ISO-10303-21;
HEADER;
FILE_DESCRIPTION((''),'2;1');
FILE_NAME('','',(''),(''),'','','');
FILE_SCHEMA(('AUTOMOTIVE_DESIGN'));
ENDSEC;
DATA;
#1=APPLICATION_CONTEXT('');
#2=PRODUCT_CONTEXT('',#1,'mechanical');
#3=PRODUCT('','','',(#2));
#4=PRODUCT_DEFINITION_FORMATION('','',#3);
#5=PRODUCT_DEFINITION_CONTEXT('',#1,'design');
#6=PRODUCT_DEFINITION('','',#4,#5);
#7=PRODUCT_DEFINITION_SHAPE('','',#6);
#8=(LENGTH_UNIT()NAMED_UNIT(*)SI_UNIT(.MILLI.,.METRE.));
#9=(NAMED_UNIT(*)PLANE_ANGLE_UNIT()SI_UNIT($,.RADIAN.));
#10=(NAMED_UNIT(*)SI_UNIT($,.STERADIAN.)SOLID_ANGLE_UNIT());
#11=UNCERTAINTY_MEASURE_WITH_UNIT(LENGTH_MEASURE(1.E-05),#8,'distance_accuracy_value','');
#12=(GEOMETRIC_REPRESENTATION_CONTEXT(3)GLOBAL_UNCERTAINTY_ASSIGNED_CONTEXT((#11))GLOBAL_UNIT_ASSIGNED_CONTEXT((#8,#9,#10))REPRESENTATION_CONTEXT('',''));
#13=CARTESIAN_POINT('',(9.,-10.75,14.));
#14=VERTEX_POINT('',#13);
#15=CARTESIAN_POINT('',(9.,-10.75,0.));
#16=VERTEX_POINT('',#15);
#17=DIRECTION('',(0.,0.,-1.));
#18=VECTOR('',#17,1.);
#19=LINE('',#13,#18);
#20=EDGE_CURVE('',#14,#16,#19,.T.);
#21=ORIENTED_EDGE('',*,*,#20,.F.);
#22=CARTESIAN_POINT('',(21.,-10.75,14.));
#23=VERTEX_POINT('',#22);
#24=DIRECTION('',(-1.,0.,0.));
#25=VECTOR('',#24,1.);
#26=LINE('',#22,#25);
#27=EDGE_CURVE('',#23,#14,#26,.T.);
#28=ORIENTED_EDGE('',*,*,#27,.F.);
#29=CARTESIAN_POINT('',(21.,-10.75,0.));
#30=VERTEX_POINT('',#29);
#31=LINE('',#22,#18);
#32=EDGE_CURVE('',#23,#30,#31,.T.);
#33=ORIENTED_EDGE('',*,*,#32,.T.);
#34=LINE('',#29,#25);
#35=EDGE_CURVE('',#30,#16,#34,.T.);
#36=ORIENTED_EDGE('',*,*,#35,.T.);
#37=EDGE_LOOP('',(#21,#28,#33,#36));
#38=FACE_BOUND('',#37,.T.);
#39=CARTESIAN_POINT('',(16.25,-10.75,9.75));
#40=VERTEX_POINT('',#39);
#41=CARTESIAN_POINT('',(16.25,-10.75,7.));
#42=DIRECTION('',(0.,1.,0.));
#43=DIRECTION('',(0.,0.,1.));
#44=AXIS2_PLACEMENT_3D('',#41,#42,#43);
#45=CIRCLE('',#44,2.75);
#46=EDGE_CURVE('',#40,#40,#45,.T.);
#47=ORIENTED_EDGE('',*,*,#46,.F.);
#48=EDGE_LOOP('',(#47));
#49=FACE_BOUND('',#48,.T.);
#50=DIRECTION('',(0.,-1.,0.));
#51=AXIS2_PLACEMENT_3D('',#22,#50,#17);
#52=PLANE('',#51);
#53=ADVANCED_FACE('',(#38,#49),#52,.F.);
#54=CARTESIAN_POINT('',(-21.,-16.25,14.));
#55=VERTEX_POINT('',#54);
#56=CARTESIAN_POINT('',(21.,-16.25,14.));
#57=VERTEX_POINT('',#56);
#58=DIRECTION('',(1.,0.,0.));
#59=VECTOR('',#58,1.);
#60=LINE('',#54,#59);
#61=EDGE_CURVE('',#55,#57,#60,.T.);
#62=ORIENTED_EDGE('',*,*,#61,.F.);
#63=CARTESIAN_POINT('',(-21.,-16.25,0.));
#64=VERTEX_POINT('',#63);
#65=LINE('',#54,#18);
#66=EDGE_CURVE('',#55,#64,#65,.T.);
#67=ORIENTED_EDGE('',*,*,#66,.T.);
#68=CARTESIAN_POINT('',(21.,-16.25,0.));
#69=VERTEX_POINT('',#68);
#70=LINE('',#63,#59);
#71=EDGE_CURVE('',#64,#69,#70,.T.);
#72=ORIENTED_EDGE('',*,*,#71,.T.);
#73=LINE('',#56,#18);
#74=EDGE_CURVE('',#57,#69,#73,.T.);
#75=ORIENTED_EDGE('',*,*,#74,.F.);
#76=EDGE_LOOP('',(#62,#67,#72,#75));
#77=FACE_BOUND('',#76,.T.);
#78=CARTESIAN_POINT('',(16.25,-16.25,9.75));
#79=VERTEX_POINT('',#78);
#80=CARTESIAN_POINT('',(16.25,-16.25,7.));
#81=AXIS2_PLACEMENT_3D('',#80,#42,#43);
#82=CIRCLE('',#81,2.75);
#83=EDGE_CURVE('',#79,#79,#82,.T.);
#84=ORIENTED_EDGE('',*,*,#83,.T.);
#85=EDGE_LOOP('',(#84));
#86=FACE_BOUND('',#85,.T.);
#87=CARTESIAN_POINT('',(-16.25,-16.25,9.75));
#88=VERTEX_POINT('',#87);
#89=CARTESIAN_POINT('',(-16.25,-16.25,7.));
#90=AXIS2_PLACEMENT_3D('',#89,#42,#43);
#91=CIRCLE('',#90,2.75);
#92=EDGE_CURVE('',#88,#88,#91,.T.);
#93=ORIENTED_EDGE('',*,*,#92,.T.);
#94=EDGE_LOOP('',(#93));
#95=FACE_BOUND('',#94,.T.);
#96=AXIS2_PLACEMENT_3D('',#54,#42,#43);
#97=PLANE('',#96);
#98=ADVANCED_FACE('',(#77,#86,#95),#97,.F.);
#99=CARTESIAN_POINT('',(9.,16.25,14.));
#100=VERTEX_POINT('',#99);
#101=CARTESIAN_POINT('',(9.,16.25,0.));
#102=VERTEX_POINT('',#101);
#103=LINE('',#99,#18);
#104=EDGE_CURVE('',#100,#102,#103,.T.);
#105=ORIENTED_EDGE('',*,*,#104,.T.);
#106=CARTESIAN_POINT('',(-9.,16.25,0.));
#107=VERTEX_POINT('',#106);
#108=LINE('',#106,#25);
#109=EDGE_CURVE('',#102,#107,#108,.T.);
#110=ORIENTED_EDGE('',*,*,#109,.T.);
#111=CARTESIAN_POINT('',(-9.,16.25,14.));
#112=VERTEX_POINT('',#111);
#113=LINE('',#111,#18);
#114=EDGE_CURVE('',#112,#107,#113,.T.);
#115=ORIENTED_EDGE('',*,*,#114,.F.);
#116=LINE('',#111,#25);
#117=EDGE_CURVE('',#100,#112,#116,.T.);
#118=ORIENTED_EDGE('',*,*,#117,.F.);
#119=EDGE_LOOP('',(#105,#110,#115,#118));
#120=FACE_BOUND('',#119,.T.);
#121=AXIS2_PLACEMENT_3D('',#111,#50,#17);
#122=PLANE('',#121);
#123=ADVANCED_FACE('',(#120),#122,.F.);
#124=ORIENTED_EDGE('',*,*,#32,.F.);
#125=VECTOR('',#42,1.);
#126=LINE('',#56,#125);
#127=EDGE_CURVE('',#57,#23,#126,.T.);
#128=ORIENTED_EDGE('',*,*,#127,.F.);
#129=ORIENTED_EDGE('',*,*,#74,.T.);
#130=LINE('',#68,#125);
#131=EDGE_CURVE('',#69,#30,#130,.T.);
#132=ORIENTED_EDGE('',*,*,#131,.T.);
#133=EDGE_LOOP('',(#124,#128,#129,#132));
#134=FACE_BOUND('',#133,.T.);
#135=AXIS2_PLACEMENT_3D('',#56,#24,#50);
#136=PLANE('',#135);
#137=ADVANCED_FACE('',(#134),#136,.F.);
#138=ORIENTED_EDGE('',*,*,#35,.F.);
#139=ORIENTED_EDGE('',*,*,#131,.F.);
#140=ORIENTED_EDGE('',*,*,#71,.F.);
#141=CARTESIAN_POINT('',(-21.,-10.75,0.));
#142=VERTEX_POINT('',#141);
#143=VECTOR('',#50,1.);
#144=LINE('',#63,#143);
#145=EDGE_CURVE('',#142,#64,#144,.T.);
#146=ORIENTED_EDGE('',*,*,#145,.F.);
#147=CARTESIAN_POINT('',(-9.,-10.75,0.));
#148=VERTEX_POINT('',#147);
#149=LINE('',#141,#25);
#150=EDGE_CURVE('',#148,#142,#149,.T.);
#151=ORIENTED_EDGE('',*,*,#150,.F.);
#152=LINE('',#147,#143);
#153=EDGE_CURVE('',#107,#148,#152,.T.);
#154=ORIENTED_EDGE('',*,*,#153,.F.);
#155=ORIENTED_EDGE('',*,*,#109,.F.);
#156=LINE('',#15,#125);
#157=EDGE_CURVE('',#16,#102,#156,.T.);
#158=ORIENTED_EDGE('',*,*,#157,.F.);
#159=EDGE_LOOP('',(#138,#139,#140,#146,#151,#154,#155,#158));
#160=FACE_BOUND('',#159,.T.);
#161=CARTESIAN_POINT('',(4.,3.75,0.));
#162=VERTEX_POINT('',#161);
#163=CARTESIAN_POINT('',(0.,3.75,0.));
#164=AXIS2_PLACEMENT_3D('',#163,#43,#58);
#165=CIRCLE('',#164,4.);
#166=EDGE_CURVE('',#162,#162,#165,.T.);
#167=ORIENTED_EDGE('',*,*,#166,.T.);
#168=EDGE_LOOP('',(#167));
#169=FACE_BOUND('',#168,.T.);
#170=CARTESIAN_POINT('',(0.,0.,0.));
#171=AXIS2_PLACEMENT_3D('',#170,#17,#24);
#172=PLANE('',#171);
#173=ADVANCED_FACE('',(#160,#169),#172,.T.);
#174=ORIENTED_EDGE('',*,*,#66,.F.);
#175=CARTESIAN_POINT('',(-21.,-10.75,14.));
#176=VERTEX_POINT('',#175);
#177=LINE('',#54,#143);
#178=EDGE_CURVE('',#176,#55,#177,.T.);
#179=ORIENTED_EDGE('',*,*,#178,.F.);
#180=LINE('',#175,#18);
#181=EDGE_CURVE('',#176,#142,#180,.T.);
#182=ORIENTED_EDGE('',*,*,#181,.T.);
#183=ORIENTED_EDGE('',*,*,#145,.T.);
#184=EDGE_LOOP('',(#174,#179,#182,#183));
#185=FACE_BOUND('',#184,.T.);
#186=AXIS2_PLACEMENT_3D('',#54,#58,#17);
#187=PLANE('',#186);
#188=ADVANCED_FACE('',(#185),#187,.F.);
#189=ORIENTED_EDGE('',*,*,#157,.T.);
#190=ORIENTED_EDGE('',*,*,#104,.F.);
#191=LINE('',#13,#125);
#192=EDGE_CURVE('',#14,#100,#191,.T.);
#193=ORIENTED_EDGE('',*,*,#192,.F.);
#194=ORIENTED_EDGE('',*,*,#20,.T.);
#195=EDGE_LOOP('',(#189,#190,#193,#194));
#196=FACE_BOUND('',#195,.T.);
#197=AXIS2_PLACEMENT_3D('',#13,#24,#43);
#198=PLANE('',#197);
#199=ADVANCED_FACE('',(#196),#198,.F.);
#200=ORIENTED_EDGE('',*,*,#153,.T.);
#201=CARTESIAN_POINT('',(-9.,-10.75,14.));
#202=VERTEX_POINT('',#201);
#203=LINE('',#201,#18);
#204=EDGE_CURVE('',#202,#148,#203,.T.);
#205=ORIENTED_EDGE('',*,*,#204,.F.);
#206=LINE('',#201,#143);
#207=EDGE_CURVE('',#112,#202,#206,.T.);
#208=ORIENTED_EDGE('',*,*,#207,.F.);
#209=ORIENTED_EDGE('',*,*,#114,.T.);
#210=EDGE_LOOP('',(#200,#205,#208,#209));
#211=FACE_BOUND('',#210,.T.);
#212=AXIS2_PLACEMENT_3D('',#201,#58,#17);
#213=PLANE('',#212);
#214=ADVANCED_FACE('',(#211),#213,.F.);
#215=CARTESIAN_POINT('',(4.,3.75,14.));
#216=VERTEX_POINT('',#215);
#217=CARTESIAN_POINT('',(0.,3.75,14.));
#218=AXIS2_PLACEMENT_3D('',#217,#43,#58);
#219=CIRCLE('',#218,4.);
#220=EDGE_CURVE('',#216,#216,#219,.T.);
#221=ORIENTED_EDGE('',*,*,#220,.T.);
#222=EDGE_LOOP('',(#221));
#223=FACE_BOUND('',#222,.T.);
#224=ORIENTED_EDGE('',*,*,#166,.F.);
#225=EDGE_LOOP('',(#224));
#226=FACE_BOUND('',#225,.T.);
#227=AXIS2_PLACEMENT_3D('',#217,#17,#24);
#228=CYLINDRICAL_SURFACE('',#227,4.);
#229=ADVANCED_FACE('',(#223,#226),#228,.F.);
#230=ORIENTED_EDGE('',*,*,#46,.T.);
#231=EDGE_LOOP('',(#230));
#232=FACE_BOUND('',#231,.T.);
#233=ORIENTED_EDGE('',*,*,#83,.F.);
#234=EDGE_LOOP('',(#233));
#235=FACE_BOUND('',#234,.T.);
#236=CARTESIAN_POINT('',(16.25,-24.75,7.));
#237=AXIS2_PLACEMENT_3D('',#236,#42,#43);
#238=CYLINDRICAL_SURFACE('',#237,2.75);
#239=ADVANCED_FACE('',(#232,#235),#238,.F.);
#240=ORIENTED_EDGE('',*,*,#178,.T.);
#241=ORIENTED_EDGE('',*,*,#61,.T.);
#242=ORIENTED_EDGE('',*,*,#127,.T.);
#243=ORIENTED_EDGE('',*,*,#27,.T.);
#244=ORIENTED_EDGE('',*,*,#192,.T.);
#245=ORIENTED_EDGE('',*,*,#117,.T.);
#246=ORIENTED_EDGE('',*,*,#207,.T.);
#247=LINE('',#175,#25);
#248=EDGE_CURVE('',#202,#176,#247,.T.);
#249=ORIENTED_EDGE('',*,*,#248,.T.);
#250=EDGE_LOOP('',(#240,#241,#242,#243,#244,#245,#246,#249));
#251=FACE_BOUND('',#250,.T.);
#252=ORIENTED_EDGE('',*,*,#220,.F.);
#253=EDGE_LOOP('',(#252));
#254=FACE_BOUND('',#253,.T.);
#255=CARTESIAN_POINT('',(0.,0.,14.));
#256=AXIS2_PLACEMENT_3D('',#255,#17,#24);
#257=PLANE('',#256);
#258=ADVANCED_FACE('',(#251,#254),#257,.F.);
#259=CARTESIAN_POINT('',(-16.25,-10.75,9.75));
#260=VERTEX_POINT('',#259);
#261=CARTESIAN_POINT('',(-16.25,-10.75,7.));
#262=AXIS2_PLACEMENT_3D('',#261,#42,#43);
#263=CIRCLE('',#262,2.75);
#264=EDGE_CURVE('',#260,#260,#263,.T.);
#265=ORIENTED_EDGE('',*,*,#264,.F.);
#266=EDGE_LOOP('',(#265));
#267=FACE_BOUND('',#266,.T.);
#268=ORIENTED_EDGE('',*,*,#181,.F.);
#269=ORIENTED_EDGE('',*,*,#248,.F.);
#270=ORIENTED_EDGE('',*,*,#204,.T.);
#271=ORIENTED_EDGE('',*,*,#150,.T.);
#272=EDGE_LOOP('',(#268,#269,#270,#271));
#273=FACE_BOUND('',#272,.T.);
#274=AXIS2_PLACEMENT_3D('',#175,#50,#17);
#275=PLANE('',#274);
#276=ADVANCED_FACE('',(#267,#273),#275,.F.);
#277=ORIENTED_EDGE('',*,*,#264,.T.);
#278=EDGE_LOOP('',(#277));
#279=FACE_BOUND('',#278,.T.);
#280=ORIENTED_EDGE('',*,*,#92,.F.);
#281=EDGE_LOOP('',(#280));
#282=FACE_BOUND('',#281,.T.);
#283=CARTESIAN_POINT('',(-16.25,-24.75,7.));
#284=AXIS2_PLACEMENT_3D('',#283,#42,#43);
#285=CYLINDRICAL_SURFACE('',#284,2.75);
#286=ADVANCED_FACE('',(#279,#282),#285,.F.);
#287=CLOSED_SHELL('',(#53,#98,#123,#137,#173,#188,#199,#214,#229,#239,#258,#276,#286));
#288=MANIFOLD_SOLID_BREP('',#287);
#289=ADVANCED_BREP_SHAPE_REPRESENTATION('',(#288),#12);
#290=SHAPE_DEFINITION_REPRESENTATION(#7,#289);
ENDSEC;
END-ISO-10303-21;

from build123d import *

# Parameters (mm, degrees)
SKETCH_1_R          = 4
EXTRUDE_1_DEPTH     = 14
SKETCH_2_R          = 2.75
CUT_EXTRUDE_1_DEPTH = 14


with BuildPart() as part:
    # 草图1 → 凸台-拉伸1 (new body)
    with BuildSketch(Plane.XY):
        Polygon((-21, -10.75), (-9, -10.75), (-9, 16.25), (9, 16.25), (9, -10.75), (21, -10.75), (21, -16.25), (-21, -16.25), align=None)
        with Locations((0, 3.75)):
            Circle(SKETCH_1_R, mode=Mode.SUBTRACT)
    extrude(amount=EXTRUDE_1_DEPTH)

    # 草图2 → 切除-拉伸1 (cut)
    with BuildSketch(Plane(origin=(0, -10.75, 0), x_dir=(1, 0, 0), z_dir=(0, 1, 0))):
        with Locations(Location((-16.25, -7, 0), (0, 0, 270))):
            Circle(SKETCH_2_R)
        with Locations(Location((16.25, -7, 0), (0, 0, 270))):
            Circle(SKETCH_2_R)
    extrude(amount=-CUT_EXTRUDE_1_DEPTH, mode=Mode.SUBTRACT)


solid = part.part
